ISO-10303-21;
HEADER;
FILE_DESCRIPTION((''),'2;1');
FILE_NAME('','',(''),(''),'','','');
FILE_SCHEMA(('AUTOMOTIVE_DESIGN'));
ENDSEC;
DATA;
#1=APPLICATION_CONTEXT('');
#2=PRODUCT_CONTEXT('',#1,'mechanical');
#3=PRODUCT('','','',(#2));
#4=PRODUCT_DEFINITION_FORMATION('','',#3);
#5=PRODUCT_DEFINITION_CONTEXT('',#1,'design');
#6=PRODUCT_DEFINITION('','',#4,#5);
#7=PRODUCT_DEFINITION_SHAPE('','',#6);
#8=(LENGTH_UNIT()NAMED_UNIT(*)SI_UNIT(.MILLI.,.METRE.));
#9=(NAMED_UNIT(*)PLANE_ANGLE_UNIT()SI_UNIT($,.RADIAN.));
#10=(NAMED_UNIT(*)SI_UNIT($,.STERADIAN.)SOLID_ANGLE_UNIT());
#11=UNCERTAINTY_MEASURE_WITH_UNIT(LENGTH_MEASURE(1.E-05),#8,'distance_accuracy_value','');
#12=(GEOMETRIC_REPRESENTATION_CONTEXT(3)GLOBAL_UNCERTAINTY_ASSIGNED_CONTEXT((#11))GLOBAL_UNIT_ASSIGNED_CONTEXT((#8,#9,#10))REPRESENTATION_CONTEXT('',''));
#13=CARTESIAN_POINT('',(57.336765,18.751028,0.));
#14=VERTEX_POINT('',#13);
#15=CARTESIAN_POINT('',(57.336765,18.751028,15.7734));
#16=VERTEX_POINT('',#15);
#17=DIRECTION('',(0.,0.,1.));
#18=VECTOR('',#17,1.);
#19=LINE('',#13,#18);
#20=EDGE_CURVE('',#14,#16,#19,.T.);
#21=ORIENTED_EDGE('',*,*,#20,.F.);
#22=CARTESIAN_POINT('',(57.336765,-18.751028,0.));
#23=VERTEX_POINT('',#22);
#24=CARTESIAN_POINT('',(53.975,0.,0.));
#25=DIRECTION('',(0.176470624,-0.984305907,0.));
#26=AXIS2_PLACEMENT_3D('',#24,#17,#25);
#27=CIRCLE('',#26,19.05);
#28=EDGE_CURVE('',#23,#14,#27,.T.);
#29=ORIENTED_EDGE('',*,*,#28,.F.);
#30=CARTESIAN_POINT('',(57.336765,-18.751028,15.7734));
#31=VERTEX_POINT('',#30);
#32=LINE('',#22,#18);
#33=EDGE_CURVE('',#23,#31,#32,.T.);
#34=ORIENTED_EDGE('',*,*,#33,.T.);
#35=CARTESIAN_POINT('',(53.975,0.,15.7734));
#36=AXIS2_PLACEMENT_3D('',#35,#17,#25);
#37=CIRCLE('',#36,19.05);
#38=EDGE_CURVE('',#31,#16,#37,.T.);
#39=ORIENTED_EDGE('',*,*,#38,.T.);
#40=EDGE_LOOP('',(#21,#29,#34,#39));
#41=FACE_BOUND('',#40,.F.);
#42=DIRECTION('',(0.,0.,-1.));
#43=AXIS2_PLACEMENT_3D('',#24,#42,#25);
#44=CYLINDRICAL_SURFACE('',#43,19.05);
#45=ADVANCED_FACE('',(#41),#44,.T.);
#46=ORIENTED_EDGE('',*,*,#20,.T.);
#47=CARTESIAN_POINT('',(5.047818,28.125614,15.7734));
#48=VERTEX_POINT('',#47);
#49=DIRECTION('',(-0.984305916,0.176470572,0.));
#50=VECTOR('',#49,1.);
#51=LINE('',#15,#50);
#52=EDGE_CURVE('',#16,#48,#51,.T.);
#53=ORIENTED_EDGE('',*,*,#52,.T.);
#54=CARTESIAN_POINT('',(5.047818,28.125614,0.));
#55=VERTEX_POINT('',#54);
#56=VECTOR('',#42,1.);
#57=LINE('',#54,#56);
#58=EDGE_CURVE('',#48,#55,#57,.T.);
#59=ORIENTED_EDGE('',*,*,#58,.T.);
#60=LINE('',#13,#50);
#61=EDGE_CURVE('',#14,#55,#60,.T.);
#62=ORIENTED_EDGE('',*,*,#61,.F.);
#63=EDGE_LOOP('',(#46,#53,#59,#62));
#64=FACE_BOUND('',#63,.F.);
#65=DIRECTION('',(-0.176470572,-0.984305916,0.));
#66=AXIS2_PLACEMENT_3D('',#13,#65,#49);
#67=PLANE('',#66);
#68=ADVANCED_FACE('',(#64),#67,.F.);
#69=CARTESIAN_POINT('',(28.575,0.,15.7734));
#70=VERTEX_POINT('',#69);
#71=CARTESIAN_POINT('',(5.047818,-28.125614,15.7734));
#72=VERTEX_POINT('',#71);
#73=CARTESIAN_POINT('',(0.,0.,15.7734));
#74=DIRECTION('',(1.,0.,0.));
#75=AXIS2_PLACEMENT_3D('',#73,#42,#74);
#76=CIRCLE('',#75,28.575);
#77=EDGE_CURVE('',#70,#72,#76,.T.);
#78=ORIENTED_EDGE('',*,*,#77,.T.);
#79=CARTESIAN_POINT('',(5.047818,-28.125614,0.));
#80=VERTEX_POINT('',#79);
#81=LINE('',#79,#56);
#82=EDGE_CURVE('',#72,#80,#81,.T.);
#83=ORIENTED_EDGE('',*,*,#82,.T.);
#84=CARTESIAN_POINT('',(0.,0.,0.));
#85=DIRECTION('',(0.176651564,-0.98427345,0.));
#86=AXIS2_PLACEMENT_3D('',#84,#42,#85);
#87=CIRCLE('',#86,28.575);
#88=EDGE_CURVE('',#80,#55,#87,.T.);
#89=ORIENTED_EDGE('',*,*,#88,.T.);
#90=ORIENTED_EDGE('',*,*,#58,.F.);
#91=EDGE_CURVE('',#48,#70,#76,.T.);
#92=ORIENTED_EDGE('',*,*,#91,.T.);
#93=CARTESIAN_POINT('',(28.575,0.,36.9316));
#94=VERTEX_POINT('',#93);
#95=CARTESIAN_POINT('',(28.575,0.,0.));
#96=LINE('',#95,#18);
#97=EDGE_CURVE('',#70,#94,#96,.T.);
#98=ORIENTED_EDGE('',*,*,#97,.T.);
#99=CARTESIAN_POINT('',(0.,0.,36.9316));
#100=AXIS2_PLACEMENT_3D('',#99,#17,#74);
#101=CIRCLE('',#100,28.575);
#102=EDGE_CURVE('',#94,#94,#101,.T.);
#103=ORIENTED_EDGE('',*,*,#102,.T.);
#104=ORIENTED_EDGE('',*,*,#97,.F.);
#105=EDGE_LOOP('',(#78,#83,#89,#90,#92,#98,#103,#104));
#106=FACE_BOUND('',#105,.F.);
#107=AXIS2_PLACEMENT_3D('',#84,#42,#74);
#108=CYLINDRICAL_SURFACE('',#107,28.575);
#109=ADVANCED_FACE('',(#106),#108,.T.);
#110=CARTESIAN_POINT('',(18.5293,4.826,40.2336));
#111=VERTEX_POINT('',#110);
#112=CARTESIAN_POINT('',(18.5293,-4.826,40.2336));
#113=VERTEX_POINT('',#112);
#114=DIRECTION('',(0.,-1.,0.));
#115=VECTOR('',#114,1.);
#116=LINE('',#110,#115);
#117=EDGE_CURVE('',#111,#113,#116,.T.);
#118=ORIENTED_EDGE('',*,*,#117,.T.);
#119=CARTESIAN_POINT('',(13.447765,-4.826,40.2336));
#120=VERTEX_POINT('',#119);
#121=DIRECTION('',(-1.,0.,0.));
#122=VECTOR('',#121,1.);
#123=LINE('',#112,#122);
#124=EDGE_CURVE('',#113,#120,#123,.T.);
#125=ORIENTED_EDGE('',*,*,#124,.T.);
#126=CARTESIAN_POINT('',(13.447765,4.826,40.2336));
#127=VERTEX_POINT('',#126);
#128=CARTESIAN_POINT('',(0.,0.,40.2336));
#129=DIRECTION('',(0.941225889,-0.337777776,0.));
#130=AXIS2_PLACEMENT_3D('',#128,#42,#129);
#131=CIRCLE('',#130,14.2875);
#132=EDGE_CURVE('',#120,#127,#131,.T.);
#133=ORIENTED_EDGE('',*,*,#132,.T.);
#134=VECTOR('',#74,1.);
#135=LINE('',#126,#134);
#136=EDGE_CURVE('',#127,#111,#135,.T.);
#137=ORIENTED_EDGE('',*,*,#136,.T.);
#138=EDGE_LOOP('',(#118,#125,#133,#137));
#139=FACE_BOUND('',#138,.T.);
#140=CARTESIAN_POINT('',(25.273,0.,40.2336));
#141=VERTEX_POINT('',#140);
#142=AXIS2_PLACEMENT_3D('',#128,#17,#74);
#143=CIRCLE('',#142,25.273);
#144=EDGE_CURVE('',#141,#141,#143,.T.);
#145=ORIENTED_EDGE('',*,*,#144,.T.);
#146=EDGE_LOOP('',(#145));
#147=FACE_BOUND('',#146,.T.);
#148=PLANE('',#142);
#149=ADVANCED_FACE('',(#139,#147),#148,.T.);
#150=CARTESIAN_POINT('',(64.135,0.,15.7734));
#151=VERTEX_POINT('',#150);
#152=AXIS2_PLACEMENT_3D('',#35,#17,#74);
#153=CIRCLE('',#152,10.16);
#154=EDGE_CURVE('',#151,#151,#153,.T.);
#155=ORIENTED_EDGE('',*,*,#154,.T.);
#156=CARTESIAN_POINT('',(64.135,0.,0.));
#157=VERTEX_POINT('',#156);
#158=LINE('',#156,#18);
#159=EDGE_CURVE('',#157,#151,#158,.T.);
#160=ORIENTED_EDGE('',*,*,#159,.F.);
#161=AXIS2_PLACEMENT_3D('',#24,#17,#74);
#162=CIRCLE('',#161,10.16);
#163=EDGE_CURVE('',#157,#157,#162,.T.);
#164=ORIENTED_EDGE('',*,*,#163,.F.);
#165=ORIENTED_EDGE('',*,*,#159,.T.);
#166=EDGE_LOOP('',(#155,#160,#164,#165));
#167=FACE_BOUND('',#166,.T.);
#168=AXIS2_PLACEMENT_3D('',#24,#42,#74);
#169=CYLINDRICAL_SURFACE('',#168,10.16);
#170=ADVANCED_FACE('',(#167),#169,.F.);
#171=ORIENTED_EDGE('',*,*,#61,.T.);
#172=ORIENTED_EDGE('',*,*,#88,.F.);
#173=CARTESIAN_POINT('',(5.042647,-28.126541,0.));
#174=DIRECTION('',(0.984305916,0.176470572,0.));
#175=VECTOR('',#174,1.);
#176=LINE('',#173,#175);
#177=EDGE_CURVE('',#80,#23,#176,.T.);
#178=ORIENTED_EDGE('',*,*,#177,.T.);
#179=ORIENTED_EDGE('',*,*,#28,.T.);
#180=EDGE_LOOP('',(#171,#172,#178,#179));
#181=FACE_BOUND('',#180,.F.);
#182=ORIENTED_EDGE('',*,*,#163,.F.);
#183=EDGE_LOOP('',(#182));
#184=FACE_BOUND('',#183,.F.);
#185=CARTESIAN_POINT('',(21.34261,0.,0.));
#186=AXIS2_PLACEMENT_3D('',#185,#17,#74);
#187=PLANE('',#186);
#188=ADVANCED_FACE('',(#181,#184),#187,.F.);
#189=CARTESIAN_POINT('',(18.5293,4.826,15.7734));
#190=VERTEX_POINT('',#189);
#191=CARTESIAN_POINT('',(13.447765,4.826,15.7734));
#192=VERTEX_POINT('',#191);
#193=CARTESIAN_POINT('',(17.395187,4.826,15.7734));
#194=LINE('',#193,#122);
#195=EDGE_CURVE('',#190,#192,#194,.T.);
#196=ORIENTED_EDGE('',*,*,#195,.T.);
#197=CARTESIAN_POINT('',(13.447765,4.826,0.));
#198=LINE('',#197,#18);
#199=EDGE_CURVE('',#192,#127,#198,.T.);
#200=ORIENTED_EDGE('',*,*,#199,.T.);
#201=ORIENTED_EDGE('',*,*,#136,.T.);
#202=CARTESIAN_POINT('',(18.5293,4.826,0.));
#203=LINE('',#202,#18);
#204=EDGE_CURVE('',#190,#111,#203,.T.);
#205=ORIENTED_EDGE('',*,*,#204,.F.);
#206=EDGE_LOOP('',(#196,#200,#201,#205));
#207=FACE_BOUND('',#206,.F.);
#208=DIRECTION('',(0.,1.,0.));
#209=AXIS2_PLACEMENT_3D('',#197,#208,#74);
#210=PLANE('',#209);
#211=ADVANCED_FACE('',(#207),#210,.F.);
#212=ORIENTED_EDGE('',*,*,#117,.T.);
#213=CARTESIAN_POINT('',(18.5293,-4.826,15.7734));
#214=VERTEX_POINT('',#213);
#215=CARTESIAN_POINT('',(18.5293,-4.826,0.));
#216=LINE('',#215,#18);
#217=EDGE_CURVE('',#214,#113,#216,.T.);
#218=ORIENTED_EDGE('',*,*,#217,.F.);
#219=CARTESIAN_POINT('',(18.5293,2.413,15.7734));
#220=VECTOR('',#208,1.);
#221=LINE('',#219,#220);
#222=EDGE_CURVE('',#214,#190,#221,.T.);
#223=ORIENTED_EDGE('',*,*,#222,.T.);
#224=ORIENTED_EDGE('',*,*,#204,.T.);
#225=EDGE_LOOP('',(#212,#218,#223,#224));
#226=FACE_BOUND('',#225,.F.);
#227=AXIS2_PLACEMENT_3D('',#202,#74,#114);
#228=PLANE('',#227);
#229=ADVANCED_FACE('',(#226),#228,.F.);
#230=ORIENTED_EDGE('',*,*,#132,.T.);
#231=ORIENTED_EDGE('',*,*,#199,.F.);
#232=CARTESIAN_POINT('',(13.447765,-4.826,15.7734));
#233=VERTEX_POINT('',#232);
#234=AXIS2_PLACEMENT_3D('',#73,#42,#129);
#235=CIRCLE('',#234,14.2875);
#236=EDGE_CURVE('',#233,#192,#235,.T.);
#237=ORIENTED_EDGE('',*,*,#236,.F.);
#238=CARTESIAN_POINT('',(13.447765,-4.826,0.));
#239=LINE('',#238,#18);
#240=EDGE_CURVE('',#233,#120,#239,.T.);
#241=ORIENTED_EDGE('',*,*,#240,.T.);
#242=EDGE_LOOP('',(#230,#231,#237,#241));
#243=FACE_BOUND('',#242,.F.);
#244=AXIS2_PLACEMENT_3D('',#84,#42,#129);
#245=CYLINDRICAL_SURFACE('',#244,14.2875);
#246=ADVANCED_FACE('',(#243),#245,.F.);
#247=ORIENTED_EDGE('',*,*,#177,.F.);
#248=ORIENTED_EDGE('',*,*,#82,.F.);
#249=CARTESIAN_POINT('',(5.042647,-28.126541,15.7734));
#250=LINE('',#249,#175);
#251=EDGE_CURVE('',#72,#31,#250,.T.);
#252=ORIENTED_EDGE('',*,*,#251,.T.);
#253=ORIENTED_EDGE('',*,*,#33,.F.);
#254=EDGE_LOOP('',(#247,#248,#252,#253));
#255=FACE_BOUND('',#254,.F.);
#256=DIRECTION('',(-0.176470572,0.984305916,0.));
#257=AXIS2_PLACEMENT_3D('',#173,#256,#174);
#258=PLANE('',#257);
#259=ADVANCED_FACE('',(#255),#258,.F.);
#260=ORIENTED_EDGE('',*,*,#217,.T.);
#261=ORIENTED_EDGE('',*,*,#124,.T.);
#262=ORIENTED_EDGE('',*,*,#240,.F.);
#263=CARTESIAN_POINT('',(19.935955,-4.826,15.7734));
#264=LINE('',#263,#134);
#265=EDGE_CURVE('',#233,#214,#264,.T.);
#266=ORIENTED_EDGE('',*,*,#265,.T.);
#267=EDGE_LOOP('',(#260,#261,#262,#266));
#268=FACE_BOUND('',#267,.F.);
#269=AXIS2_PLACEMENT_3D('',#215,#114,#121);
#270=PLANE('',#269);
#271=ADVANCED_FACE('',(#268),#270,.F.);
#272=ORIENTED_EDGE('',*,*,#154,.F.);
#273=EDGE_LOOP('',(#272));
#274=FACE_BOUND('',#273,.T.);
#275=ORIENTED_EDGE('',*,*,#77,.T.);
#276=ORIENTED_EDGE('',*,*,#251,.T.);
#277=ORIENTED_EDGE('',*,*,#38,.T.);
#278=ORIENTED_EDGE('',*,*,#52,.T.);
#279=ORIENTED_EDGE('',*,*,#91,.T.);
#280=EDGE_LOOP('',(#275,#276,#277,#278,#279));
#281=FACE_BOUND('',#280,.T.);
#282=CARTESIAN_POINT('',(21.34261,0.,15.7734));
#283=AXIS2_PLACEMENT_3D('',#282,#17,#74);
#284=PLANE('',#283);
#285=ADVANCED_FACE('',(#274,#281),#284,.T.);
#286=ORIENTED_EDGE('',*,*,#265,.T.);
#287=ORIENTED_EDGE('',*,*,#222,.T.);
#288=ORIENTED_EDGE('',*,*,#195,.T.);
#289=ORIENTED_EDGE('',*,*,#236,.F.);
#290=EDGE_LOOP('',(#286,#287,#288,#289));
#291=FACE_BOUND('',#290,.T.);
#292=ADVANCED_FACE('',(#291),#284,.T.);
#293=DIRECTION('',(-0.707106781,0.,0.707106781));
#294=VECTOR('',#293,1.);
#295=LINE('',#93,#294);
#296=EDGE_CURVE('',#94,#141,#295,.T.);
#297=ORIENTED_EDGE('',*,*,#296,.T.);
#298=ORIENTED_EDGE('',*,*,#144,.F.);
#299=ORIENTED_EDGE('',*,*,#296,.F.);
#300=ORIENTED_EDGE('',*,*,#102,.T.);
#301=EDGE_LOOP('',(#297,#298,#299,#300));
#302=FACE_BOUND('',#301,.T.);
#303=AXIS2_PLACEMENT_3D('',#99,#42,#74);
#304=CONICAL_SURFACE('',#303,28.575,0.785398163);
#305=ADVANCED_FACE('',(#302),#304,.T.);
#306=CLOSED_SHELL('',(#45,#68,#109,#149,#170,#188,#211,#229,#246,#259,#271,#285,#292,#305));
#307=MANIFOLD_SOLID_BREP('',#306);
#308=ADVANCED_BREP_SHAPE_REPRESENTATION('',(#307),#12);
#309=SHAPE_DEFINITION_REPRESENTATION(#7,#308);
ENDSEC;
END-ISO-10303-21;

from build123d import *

# Parameters (mm, degrees)
F0_R     = 10.16
F1_DEPTH = 15.7734
F2_R     = 28.575
F3_DEPTH = 40.2336
F4_SIZE  = 3.302


with BuildPart() as f1:
    # F0 (on Top) → F1 (new body)
    with BuildSketch(Plane.XY):
        with BuildLine():
            Line((57.336765, 18.751028), (5.042647, 28.126541))
            ThreePointArc((5.042647, 28.126541), (-28.575, 0), (5.042647, -28.126541))
            Line((5.042647, -28.126541), (57.336765, -18.751028))
            ThreePointArc((57.336765, -18.751028), (73.025, 0), (57.336765, 18.751028))
        make_face()
        with Locations((53.975, 0)):
            Circle(F0_R, mode=Mode.SUBTRACT)
    extrude(amount=F1_DEPTH)

    # F2 (on Top) → F3 (join)
    with BuildSketch(Plane.XY):
        Circle(F2_R)
        with BuildLine():
            ThreePointArc((13.447765, -4.826), (-14.2875, 0), (13.447765, 4.826))
            Line((13.447765, 4.826), (18.5293, 4.826))
            Line((18.5293, 4.826), (18.5293, -4.826))
            Line((18.5293, -4.826), (13.447765, -4.826))
        make_face(mode=Mode.SUBTRACT)
    extrude(amount=F3_DEPTH)

    # F4
    f4_edges = [f1.edges().sort_by_distance(p)[0] for p in [
        (-28.575, 0, 40.2336),
    ]]
    chamfer(f4_edges, length=F4_SIZE)


solid = f1.part
